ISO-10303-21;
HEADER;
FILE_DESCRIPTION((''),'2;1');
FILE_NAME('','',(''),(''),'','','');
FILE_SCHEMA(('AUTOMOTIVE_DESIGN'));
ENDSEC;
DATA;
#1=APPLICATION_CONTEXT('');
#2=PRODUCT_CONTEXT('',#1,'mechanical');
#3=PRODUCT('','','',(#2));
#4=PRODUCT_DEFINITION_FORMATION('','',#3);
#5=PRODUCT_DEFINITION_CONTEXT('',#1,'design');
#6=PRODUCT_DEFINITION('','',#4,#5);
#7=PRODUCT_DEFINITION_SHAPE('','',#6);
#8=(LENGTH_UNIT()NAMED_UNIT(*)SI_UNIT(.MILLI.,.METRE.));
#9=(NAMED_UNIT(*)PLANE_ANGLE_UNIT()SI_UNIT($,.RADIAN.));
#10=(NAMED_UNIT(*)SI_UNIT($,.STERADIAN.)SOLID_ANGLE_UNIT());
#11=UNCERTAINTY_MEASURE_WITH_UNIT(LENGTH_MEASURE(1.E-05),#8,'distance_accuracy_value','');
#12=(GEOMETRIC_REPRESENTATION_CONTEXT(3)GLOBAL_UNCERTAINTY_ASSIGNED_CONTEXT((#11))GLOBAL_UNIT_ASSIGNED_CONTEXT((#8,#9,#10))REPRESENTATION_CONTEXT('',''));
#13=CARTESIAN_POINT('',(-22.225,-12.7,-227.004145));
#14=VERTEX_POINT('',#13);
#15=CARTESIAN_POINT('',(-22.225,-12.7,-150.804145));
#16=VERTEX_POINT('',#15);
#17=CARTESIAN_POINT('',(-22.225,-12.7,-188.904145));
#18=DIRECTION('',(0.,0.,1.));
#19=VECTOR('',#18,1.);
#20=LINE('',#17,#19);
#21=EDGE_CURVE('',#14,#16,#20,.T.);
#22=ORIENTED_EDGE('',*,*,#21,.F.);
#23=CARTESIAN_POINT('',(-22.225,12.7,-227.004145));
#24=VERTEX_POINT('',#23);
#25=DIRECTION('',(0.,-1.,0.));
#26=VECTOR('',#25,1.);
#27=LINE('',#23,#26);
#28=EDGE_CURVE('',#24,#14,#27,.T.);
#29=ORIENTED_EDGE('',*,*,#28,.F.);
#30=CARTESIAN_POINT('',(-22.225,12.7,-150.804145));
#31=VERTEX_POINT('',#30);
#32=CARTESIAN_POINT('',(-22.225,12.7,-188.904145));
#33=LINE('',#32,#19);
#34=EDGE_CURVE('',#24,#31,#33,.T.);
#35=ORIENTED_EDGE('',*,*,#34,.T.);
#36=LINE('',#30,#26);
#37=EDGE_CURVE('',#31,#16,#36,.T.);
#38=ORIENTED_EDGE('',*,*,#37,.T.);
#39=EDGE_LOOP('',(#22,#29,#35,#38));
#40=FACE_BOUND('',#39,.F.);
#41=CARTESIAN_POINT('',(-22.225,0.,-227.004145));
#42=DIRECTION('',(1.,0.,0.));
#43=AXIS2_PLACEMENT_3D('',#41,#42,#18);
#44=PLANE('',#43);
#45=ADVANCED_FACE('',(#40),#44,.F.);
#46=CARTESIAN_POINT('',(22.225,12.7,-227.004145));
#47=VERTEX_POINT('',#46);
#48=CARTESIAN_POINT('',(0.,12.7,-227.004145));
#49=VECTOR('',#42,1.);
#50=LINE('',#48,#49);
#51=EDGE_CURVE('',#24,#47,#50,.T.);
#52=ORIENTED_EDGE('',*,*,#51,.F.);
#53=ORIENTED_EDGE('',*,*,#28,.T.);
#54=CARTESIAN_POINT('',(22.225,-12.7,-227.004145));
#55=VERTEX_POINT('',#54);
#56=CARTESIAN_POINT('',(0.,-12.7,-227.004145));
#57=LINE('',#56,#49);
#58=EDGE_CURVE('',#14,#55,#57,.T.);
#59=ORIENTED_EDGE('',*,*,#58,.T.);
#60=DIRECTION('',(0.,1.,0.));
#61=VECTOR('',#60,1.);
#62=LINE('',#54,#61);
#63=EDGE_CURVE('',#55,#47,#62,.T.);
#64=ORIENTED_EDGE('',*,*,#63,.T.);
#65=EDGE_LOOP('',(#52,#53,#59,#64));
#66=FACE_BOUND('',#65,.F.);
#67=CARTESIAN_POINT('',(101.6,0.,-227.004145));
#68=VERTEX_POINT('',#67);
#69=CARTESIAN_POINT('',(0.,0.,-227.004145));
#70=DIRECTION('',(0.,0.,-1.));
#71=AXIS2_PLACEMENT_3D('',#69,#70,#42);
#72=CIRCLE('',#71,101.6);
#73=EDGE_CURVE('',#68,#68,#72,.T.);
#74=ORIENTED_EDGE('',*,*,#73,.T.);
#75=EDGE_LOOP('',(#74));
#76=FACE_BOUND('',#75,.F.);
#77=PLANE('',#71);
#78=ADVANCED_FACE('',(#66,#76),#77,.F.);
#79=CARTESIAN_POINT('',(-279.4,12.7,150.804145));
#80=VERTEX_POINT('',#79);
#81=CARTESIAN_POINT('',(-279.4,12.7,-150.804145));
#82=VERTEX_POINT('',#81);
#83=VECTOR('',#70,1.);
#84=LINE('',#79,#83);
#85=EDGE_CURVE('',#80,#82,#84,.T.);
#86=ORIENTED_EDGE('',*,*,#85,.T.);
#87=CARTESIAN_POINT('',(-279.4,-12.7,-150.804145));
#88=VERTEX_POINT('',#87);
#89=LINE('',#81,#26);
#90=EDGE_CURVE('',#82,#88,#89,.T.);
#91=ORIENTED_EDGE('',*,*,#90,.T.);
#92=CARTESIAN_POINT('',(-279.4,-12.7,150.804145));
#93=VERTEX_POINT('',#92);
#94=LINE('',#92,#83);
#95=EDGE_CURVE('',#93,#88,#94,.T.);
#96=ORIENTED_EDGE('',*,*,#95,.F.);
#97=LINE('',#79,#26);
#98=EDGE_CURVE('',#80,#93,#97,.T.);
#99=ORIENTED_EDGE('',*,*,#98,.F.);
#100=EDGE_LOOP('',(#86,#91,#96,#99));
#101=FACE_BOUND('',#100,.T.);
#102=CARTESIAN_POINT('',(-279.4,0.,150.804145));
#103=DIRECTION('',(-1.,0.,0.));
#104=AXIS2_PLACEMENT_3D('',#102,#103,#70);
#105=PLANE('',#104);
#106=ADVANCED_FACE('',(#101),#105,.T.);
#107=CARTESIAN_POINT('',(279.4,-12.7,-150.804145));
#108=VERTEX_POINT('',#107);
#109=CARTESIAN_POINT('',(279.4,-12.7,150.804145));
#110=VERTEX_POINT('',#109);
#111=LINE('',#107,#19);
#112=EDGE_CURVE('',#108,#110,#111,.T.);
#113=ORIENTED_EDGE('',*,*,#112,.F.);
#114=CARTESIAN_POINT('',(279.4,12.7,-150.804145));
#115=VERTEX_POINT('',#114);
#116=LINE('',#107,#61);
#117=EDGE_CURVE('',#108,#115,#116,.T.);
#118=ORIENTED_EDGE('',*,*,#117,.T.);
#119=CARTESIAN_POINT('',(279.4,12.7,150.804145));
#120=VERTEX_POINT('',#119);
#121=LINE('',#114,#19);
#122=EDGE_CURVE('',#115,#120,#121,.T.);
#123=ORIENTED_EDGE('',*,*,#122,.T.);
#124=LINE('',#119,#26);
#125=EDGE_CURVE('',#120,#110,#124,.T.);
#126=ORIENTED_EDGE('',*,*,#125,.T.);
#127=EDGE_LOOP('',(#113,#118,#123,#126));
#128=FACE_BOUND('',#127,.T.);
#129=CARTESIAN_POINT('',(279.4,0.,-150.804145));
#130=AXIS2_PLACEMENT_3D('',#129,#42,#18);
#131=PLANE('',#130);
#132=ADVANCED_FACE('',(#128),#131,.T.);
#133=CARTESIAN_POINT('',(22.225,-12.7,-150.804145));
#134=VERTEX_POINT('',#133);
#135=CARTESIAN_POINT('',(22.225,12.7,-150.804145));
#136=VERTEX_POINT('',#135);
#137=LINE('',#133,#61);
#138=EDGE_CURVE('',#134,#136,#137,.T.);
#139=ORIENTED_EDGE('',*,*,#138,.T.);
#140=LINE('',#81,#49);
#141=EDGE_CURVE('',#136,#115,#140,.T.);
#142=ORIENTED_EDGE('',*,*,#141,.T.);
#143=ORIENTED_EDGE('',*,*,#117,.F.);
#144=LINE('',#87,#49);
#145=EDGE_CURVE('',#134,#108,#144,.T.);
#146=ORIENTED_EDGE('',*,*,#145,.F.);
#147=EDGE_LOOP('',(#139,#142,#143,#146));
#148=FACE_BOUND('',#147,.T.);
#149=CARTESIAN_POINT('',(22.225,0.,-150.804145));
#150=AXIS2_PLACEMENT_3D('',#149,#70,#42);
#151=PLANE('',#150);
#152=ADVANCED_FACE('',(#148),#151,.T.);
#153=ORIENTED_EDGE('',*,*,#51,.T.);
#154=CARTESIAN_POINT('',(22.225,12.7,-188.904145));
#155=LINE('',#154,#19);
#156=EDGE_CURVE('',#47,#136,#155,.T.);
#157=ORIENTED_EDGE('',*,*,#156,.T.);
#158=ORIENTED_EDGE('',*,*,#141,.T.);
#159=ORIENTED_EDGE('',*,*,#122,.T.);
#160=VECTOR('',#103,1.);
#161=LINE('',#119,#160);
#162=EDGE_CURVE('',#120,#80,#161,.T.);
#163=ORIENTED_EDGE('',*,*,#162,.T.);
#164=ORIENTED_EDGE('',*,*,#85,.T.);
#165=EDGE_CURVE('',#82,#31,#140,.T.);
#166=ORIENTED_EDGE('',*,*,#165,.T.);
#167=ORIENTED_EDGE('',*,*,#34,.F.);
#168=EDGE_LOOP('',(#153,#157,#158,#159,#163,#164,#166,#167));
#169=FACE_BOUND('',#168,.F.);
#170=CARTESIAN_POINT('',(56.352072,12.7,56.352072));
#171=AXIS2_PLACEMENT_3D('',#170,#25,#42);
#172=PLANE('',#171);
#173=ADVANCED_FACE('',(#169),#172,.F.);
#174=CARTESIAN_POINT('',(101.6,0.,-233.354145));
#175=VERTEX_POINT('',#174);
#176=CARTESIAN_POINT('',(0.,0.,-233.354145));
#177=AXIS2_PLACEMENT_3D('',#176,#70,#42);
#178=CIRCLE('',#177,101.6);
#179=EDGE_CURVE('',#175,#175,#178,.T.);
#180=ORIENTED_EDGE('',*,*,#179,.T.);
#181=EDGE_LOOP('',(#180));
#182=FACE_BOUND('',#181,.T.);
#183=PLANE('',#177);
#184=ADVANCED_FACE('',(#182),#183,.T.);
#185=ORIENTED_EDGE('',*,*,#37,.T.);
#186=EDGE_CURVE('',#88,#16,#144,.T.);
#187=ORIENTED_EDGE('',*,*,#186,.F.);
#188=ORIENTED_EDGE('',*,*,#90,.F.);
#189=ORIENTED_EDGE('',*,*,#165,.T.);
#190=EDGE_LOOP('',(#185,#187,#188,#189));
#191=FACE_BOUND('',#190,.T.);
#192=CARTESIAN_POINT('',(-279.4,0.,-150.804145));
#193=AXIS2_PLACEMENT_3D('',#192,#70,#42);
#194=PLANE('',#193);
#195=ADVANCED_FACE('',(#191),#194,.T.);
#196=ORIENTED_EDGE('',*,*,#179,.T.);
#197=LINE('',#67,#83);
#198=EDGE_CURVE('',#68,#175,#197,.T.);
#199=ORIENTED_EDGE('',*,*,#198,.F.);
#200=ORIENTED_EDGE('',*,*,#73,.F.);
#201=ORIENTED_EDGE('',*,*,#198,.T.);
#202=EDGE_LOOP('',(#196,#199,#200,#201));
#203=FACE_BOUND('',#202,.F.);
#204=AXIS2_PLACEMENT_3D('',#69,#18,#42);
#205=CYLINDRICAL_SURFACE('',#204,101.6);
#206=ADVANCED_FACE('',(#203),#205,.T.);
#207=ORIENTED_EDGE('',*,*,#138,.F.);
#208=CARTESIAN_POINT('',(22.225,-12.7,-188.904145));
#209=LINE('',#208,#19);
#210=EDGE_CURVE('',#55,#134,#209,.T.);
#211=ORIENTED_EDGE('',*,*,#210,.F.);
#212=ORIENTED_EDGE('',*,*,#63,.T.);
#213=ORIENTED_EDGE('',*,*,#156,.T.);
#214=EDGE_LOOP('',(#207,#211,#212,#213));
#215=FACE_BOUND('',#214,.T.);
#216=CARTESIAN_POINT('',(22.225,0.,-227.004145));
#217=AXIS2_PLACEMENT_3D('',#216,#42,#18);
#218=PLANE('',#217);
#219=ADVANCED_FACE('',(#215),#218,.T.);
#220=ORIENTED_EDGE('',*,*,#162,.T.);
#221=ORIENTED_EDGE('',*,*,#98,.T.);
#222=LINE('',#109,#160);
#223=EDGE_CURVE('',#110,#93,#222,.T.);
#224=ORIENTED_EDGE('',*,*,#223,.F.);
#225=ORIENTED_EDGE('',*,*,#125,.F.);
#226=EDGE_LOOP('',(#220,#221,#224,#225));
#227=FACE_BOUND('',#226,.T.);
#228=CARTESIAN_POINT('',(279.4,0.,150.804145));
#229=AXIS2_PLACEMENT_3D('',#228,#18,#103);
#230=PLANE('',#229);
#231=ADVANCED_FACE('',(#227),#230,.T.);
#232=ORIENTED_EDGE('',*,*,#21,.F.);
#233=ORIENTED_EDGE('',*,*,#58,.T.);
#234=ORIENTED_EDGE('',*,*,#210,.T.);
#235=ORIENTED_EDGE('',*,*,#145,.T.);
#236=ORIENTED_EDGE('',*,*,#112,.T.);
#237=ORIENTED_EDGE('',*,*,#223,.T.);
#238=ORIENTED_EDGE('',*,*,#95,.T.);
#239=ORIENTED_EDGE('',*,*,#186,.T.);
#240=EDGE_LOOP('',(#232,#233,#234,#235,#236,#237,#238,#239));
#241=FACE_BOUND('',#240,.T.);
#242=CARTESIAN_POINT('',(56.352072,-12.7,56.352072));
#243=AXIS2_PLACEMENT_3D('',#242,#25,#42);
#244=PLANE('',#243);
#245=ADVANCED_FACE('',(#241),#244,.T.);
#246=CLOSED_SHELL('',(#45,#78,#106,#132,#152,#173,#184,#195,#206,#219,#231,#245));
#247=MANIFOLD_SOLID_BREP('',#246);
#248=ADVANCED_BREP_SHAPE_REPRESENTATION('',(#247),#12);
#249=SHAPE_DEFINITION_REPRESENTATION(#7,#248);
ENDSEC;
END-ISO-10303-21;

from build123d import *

# Parameters (mm, degrees)
F0_W     = 44.45
F0_H     = 76.2
F1_DEPTH = 12.7
F2_R     = 101.6
F3_DEPTH = 6.35


with BuildPart() as f1:
    # F0 (on Front) → F1 (new body, symmetric)
    with BuildSketch(Plane.XZ):
        Polygon((279.4, -150.804145), (279.4, 150.804145), (-279.4, 150.804145), align=None)
        Polygon((279.4, -150.804145), (-279.4, 150.804145), (-279.4, -150.804145), (-22.225, -150.804145), (22.225, -150.804145), align=None)
        with Locations((0, -188.904145)):
            Rectangle(F0_W, F0_H)
    extrude(amount=F1_DEPTH, both=True)

    # F2 (on face) → F3 (join)
    with BuildSketch(Plane(origin=(0, 0, -227.004145), x_dir=(1, 0, 0), z_dir=(0, 0, -1))):
        Circle(F2_R)
    extrude(amount=F3_DEPTH)


solid = f1.part
